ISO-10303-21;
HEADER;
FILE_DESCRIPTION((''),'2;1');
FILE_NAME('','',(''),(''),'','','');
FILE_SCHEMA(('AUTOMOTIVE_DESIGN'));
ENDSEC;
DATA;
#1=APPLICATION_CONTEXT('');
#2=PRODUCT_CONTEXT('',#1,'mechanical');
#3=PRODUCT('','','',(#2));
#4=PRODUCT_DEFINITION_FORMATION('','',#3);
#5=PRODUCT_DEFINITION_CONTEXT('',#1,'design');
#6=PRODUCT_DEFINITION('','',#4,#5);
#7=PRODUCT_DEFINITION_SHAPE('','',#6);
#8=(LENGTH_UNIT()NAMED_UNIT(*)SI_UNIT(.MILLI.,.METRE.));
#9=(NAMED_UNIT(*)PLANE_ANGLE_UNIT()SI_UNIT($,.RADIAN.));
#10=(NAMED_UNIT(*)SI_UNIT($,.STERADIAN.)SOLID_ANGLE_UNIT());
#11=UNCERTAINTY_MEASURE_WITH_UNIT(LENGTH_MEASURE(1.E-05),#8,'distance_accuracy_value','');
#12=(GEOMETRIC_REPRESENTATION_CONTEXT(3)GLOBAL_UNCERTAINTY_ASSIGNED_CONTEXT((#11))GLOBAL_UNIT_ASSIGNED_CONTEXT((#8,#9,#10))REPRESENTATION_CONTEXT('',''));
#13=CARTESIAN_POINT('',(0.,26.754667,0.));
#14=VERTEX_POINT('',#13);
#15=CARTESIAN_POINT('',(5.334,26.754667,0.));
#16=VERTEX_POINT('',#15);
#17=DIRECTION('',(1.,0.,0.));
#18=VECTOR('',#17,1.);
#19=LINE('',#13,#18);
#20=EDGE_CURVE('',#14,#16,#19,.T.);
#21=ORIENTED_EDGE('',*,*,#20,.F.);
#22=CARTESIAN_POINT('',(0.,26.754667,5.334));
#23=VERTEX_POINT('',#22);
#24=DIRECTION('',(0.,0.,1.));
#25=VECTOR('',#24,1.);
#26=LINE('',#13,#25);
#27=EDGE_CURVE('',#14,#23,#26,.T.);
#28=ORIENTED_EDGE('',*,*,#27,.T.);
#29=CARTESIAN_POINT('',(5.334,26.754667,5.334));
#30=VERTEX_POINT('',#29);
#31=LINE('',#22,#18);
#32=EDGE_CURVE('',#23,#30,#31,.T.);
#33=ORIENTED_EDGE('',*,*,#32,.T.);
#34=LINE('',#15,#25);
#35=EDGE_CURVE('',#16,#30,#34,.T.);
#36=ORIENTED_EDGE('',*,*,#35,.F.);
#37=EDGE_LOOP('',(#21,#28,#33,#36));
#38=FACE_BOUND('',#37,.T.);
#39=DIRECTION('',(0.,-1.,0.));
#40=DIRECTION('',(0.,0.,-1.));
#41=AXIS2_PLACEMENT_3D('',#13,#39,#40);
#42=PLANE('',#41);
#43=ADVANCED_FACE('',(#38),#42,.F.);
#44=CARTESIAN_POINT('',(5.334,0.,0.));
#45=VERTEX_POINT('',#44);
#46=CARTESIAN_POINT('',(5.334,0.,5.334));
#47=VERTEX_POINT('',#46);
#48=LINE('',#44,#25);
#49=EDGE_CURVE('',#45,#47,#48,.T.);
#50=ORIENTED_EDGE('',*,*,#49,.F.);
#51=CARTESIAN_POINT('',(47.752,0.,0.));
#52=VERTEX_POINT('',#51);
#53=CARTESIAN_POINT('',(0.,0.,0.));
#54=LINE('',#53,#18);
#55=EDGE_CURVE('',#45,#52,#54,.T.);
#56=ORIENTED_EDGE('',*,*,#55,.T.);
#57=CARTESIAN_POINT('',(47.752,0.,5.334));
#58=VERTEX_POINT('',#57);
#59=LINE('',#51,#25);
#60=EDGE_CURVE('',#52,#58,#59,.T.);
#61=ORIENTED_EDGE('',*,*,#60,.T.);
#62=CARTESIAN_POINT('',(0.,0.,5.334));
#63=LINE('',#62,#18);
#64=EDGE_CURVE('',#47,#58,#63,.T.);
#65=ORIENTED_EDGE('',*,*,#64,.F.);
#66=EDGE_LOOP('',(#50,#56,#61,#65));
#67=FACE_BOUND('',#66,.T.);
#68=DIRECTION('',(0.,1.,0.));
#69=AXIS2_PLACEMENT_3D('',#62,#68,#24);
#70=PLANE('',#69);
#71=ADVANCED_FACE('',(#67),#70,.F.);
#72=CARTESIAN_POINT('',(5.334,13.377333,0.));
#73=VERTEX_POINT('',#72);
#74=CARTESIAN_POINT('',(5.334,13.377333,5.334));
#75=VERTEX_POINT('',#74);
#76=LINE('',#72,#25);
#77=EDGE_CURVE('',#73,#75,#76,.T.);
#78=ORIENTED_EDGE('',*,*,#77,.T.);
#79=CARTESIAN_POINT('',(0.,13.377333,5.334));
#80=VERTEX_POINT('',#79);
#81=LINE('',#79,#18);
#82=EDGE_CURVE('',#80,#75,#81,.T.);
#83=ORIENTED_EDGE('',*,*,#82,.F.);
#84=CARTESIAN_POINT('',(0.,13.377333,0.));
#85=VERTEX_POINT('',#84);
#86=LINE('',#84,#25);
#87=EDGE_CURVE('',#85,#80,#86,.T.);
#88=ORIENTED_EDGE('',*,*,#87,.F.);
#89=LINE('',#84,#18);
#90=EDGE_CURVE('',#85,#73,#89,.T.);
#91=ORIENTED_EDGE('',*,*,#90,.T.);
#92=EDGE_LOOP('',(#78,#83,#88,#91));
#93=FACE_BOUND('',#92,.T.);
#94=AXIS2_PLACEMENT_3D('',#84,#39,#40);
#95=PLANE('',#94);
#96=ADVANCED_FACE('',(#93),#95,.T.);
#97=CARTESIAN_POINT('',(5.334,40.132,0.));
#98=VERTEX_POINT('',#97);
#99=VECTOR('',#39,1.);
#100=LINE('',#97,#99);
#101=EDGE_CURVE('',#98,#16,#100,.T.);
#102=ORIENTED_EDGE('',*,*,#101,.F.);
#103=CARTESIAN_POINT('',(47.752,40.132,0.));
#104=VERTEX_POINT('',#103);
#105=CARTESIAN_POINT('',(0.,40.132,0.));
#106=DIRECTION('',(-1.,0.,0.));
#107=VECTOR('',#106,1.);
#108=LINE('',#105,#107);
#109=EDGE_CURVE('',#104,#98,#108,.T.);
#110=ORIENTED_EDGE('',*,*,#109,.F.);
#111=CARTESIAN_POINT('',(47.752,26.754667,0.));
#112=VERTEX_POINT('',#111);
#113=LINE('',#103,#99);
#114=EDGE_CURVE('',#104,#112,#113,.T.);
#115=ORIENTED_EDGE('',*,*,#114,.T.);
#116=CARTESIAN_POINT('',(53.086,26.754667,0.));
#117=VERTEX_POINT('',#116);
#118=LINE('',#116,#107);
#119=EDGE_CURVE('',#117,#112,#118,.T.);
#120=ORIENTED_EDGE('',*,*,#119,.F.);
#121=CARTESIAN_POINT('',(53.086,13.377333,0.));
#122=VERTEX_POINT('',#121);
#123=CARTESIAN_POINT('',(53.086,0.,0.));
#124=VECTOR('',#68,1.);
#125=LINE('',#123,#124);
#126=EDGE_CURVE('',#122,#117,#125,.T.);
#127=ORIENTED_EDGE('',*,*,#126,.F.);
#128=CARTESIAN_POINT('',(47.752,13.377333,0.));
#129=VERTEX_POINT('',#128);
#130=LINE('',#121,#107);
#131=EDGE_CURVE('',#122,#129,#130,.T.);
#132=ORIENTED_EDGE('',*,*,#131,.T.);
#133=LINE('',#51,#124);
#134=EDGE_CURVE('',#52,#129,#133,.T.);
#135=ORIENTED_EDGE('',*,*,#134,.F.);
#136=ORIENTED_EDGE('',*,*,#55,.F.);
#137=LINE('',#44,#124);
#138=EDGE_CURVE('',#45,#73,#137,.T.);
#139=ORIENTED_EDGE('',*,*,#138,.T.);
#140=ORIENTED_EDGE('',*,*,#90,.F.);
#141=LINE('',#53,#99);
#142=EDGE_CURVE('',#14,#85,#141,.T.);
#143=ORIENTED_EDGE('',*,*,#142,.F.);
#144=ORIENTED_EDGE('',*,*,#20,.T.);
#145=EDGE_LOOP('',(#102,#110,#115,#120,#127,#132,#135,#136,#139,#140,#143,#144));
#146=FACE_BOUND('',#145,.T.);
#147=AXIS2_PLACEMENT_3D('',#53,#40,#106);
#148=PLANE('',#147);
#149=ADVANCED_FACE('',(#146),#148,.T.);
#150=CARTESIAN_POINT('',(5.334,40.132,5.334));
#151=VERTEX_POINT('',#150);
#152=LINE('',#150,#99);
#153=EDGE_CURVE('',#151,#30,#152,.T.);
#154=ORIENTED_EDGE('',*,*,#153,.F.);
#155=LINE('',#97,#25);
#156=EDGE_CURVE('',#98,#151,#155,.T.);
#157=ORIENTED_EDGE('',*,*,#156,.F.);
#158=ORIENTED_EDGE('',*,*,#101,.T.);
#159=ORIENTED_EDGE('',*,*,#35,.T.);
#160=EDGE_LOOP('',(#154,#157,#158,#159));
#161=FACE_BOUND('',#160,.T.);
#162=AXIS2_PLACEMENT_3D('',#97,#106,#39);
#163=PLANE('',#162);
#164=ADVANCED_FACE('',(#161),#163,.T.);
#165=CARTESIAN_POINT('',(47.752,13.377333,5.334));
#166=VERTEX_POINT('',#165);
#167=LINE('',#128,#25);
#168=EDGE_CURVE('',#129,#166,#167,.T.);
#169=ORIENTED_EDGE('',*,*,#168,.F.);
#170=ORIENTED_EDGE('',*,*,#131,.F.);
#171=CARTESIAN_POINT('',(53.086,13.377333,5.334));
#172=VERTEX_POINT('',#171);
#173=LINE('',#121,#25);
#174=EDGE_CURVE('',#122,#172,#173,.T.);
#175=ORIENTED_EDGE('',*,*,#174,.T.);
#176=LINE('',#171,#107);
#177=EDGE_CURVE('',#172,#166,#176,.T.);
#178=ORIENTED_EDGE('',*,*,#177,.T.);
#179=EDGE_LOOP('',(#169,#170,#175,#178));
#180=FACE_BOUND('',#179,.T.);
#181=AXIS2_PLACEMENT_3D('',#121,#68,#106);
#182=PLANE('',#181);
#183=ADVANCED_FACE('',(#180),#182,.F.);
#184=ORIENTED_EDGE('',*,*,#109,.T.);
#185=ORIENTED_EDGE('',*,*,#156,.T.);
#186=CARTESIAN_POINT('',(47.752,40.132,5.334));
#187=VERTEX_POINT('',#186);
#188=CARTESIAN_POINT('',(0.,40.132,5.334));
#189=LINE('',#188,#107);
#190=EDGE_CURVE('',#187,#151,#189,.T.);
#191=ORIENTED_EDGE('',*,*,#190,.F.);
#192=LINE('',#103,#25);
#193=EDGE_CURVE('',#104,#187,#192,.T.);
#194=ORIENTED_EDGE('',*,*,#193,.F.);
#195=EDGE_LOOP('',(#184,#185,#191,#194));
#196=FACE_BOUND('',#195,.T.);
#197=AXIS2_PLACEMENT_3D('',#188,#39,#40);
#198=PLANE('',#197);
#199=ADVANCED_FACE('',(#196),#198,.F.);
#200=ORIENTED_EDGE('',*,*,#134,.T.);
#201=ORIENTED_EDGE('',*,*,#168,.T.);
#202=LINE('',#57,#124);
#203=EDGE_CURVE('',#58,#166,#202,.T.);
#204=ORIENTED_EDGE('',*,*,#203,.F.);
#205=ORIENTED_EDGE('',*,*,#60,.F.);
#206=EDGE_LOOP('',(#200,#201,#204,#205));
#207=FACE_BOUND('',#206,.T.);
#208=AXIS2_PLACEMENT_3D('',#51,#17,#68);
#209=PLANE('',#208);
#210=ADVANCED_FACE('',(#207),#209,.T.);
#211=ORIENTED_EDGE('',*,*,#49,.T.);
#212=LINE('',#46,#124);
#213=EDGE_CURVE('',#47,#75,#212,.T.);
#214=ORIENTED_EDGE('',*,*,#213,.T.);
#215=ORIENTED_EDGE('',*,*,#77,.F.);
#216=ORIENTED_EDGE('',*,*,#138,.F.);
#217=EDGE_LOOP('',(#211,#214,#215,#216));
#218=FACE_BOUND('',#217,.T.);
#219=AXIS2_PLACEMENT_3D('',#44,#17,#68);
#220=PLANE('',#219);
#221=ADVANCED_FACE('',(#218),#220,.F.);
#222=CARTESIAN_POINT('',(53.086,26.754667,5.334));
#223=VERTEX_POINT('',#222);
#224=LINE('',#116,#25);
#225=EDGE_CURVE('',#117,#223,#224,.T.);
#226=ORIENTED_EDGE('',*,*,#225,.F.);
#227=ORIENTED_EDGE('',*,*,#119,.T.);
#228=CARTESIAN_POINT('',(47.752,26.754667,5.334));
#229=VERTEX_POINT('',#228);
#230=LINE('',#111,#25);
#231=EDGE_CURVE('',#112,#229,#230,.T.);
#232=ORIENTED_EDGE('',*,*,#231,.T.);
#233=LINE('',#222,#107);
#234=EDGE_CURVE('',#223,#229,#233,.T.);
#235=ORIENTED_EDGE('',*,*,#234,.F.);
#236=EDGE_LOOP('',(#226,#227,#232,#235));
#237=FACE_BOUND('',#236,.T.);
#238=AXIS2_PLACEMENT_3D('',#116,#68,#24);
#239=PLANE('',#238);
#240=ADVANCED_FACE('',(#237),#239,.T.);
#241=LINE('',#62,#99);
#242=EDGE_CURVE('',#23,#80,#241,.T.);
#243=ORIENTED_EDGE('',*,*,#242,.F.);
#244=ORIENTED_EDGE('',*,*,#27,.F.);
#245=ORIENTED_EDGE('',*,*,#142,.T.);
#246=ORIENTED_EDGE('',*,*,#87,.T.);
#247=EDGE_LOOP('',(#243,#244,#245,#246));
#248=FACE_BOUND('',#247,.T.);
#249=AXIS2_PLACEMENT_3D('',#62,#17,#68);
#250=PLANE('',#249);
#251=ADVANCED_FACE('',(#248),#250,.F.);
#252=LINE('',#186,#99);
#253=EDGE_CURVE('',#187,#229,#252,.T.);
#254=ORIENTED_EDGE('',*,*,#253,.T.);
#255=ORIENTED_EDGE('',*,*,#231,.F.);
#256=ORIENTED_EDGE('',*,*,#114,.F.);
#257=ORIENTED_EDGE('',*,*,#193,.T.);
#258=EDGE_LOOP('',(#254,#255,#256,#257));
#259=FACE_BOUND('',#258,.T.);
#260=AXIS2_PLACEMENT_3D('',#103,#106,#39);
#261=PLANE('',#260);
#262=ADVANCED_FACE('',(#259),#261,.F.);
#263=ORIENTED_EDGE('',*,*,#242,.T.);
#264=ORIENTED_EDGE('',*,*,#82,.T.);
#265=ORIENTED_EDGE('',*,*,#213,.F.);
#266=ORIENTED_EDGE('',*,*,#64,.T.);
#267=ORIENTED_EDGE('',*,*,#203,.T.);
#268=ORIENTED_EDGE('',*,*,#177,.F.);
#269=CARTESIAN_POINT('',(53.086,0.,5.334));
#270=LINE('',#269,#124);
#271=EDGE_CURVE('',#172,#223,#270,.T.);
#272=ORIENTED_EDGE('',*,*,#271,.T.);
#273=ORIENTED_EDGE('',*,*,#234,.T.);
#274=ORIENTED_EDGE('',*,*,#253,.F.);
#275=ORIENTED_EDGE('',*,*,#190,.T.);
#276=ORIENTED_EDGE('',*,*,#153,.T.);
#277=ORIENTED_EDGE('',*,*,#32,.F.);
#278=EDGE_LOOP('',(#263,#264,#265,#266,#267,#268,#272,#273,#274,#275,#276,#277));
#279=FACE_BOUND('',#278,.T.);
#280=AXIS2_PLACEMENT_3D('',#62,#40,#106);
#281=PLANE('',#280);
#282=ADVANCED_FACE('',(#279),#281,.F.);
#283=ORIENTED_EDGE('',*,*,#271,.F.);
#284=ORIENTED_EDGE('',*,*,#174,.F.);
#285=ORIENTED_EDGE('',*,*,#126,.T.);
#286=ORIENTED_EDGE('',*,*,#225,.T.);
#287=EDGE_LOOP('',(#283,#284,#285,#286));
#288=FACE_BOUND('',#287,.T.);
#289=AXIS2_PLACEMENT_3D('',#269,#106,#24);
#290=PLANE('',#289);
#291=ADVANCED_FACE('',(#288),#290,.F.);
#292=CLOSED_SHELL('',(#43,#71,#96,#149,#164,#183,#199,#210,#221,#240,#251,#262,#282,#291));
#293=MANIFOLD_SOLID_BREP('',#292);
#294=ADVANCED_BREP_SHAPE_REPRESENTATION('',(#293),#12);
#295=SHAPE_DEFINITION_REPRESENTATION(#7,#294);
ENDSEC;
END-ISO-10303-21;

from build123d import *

# Parameters (mm, degrees)
SKETCH1_W           = 53.086
SKETCH1_H           = 40.132
BOSS_EXTRUDE1_DEPTH = 5.334
SKETCH6_W           = 5.334
SKETCH6_H           = 13.377333333
CUT_EXTRUDE2_DEPTH  = 6.334


with BuildPart() as part:
    # Sketch1 → Boss-Extrude1 (new body)
    with BuildSketch(Plane.XY):
        with Locations((26.543, 20.066)):
            Rectangle(SKETCH1_W, SKETCH1_H)
    extrude(amount=BOSS_EXTRUDE1_DEPTH)

    # Sketch6 → Cut-Extrude2 (cut, through all)
    with BuildSketch(Plane.XY.offset(5.334)):
        with Locations((2.667, 33.443333334)):
            Rectangle(SKETCH6_W, SKETCH6_H)
        with Locations((2.667, 6.688666667)):
            Rectangle(SKETCH6_W, SKETCH6_H)
        with Locations((50.419, 6.688666667)):
            Rectangle(SKETCH6_W, SKETCH6_H)
        with Locations((50.419, 33.443333334)):
            Rectangle(SKETCH6_W, SKETCH6_H)
    extrude(amount=-CUT_EXTRUDE2_DEPTH, mode=Mode.SUBTRACT)


solid = part.part
